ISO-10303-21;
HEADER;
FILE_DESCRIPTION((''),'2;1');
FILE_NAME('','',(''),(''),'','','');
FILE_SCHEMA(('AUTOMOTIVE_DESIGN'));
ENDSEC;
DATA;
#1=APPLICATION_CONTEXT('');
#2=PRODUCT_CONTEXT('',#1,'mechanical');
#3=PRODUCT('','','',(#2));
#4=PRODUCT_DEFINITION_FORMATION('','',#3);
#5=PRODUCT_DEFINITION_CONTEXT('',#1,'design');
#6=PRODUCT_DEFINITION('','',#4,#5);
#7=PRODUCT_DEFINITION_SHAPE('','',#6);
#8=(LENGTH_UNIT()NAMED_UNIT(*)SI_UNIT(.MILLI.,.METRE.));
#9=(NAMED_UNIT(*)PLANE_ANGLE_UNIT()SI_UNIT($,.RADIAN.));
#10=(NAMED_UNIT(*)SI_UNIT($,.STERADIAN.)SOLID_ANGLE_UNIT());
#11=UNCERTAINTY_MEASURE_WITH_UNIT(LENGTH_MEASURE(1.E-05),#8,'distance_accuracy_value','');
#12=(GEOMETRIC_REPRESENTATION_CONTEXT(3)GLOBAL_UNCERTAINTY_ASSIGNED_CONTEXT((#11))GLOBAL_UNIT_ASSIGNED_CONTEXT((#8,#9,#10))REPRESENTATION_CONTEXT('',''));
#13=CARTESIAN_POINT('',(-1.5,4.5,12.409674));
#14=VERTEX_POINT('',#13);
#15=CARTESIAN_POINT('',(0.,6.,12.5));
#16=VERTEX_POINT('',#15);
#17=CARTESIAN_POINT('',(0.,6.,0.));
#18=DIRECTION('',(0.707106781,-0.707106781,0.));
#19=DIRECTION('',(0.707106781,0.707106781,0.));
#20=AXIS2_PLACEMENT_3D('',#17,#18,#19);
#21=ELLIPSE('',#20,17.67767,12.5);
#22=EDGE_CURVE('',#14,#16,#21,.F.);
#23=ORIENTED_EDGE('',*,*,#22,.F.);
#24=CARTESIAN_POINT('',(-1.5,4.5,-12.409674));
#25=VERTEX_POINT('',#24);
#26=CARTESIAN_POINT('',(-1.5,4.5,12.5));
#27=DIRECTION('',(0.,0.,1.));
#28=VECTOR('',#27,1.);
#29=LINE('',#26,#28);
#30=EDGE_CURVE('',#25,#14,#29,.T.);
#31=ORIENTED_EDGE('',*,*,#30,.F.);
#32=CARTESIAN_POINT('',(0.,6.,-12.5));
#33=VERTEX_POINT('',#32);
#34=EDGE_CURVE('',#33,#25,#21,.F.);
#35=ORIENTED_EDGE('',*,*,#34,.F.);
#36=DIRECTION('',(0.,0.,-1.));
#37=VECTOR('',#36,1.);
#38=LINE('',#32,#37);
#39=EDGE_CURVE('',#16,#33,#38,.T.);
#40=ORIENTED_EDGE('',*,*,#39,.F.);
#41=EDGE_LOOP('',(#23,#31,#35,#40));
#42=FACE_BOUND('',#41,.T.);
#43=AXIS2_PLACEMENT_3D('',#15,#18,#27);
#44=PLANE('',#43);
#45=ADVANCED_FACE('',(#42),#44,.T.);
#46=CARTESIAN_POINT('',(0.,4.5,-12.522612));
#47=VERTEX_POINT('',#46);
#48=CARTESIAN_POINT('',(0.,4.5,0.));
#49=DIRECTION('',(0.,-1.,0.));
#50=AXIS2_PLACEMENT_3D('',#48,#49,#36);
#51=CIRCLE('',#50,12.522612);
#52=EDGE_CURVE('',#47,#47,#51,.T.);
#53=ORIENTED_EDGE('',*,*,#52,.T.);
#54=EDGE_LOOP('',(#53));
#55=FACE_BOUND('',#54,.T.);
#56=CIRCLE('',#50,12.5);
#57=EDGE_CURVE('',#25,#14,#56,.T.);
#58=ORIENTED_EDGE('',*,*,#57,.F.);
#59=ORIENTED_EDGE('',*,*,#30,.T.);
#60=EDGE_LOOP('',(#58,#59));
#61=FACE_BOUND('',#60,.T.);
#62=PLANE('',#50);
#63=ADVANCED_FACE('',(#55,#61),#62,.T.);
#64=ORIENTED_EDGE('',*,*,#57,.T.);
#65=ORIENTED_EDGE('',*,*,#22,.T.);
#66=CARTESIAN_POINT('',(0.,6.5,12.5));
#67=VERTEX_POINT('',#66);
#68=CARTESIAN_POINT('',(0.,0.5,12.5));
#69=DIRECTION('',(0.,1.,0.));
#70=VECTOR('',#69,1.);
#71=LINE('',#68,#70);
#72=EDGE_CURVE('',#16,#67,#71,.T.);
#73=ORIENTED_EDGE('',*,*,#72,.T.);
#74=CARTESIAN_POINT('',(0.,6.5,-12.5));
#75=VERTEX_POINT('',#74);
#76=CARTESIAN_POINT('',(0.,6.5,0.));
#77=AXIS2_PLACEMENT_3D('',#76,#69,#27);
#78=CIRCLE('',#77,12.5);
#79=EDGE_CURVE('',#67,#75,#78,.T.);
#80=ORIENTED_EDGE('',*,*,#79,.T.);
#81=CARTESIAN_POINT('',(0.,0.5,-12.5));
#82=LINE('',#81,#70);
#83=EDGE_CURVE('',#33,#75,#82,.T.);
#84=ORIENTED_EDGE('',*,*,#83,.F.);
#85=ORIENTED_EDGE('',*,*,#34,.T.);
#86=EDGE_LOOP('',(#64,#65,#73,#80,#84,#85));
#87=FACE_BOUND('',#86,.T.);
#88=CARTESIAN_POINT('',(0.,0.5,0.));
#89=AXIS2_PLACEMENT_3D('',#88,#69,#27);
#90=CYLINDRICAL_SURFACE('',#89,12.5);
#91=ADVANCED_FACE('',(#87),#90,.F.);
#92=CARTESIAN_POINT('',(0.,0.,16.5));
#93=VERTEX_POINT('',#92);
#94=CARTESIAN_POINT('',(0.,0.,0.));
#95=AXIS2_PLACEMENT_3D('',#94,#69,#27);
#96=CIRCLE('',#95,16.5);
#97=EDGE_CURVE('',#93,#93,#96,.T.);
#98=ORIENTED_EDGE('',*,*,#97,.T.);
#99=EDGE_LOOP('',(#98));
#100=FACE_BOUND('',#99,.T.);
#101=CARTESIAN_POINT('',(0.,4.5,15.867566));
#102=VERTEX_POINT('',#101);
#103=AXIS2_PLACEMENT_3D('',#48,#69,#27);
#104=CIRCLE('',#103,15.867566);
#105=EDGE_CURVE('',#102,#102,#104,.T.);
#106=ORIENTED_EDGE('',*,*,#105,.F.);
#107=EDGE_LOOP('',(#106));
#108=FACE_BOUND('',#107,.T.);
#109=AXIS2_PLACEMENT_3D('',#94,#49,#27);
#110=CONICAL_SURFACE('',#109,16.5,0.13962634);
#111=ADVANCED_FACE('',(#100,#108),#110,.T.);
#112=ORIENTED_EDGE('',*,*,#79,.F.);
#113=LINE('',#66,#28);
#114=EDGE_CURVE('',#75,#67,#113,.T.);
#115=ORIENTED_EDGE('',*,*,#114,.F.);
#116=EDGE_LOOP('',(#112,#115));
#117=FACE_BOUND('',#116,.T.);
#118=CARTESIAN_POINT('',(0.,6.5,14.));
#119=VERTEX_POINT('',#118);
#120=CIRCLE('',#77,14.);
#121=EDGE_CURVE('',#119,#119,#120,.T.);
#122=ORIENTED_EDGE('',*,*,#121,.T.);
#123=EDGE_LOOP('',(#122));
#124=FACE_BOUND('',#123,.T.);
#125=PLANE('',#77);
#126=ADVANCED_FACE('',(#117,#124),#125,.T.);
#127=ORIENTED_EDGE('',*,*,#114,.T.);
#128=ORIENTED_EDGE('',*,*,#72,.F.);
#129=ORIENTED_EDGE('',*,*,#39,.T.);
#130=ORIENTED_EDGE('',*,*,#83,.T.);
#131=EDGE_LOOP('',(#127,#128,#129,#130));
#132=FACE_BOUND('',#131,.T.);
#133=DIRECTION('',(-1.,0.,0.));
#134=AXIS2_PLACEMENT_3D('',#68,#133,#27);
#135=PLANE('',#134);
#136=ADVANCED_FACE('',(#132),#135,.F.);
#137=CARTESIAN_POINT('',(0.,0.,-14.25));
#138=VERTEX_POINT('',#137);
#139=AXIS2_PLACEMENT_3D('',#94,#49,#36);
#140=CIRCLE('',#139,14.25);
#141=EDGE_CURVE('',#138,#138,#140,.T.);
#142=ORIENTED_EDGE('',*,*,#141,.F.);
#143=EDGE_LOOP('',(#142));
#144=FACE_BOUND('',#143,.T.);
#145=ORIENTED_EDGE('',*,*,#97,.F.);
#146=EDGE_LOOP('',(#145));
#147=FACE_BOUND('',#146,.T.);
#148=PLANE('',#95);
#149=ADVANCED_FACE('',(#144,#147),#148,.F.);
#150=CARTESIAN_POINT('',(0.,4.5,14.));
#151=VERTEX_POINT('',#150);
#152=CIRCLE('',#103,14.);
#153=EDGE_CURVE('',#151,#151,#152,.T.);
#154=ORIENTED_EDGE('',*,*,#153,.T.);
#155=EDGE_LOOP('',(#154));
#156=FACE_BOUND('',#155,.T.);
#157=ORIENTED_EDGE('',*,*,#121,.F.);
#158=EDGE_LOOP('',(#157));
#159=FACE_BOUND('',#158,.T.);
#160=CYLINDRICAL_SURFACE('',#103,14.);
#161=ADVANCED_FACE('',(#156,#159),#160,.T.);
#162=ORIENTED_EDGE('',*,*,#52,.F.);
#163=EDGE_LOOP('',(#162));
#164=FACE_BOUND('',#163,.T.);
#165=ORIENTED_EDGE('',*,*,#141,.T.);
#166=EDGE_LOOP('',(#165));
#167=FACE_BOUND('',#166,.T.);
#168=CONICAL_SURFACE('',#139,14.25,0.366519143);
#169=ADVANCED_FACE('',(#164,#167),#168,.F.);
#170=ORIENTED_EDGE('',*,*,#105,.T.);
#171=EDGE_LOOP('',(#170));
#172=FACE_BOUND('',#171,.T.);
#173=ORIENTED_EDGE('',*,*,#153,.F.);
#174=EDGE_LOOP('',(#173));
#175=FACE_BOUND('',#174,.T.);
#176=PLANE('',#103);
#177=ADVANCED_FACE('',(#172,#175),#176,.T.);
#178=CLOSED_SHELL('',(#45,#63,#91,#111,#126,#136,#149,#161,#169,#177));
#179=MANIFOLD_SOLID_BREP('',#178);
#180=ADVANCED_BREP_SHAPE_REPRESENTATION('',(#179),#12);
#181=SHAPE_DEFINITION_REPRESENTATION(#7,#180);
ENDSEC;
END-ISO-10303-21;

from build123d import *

# Parameters (mm, degrees)
SKETCH1_R           = 16.5
BOSS_EXTRUDE1_DEPTH = 6.5
BOSS_EXTRUDE1_TAPER = 8
SKETCH2_R           = 14.25
CUT_EXTRUDE1_DEPTH  = 4.5
CUT_EXTRUDE1_TAPER  = 21
CUT_EXTRUDE2_DEPTH  = 6
CHAMFER1_SIZE       = 1.5
SKETCH4_R           = 17.295094409
SKETCH4_R_2         = 14
CUT_EXTRUDE3_DEPTH  = 2


with BuildPart() as part:
    # Sketch1 → Boss-Extrude1 (new body)
    with BuildSketch(Plane(origin=(0, 0, 0), x_dir=(1, 0, 0), z_dir=(0, 1, 0))):
        Circle(SKETCH1_R)
    extrude(amount=BOSS_EXTRUDE1_DEPTH, taper=BOSS_EXTRUDE1_TAPER)

    # Sketch2 → Cut-Extrude1 (cut)
    with BuildSketch(Plane.XZ):
        Circle(SKETCH2_R)
    extrude(amount=-CUT_EXTRUDE1_DEPTH, taper=CUT_EXTRUDE1_TAPER, mode=Mode.SUBTRACT)

    # Sketch3 → Cut-Extrude2 (cut)
    with BuildSketch(Plane(origin=(0, 6.5, 0), x_dir=(1, 0, 0), z_dir=(0, 1, 0))):
        with BuildLine():
            Line((0, -12.5), (0, 12.5))
            ThreePointArc((0, 12.5), (12.5, 0), (0, -12.5))
        make_face()
    extrude(amount=-CUT_EXTRUDE2_DEPTH, mode=Mode.SUBTRACT)

    # Chamfer1
    chamfer1_edges = [part.edges().sort_by_distance(p)[0] for p in [
        (0, 4.5, 0),
    ]]
    chamfer(chamfer1_edges, length=CHAMFER1_SIZE)

    # Sketch4 → Cut-Extrude3 (cut)
    with BuildSketch(Plane(origin=(0, 6.5, 0), x_dir=(1, 0, 0), z_dir=(0, 1, 0))):
        Circle(SKETCH4_R)
        Circle(SKETCH4_R_2, mode=Mode.SUBTRACT)
    extrude(amount=-CUT_EXTRUDE3_DEPTH, mode=Mode.SUBTRACT)


solid = part.part
